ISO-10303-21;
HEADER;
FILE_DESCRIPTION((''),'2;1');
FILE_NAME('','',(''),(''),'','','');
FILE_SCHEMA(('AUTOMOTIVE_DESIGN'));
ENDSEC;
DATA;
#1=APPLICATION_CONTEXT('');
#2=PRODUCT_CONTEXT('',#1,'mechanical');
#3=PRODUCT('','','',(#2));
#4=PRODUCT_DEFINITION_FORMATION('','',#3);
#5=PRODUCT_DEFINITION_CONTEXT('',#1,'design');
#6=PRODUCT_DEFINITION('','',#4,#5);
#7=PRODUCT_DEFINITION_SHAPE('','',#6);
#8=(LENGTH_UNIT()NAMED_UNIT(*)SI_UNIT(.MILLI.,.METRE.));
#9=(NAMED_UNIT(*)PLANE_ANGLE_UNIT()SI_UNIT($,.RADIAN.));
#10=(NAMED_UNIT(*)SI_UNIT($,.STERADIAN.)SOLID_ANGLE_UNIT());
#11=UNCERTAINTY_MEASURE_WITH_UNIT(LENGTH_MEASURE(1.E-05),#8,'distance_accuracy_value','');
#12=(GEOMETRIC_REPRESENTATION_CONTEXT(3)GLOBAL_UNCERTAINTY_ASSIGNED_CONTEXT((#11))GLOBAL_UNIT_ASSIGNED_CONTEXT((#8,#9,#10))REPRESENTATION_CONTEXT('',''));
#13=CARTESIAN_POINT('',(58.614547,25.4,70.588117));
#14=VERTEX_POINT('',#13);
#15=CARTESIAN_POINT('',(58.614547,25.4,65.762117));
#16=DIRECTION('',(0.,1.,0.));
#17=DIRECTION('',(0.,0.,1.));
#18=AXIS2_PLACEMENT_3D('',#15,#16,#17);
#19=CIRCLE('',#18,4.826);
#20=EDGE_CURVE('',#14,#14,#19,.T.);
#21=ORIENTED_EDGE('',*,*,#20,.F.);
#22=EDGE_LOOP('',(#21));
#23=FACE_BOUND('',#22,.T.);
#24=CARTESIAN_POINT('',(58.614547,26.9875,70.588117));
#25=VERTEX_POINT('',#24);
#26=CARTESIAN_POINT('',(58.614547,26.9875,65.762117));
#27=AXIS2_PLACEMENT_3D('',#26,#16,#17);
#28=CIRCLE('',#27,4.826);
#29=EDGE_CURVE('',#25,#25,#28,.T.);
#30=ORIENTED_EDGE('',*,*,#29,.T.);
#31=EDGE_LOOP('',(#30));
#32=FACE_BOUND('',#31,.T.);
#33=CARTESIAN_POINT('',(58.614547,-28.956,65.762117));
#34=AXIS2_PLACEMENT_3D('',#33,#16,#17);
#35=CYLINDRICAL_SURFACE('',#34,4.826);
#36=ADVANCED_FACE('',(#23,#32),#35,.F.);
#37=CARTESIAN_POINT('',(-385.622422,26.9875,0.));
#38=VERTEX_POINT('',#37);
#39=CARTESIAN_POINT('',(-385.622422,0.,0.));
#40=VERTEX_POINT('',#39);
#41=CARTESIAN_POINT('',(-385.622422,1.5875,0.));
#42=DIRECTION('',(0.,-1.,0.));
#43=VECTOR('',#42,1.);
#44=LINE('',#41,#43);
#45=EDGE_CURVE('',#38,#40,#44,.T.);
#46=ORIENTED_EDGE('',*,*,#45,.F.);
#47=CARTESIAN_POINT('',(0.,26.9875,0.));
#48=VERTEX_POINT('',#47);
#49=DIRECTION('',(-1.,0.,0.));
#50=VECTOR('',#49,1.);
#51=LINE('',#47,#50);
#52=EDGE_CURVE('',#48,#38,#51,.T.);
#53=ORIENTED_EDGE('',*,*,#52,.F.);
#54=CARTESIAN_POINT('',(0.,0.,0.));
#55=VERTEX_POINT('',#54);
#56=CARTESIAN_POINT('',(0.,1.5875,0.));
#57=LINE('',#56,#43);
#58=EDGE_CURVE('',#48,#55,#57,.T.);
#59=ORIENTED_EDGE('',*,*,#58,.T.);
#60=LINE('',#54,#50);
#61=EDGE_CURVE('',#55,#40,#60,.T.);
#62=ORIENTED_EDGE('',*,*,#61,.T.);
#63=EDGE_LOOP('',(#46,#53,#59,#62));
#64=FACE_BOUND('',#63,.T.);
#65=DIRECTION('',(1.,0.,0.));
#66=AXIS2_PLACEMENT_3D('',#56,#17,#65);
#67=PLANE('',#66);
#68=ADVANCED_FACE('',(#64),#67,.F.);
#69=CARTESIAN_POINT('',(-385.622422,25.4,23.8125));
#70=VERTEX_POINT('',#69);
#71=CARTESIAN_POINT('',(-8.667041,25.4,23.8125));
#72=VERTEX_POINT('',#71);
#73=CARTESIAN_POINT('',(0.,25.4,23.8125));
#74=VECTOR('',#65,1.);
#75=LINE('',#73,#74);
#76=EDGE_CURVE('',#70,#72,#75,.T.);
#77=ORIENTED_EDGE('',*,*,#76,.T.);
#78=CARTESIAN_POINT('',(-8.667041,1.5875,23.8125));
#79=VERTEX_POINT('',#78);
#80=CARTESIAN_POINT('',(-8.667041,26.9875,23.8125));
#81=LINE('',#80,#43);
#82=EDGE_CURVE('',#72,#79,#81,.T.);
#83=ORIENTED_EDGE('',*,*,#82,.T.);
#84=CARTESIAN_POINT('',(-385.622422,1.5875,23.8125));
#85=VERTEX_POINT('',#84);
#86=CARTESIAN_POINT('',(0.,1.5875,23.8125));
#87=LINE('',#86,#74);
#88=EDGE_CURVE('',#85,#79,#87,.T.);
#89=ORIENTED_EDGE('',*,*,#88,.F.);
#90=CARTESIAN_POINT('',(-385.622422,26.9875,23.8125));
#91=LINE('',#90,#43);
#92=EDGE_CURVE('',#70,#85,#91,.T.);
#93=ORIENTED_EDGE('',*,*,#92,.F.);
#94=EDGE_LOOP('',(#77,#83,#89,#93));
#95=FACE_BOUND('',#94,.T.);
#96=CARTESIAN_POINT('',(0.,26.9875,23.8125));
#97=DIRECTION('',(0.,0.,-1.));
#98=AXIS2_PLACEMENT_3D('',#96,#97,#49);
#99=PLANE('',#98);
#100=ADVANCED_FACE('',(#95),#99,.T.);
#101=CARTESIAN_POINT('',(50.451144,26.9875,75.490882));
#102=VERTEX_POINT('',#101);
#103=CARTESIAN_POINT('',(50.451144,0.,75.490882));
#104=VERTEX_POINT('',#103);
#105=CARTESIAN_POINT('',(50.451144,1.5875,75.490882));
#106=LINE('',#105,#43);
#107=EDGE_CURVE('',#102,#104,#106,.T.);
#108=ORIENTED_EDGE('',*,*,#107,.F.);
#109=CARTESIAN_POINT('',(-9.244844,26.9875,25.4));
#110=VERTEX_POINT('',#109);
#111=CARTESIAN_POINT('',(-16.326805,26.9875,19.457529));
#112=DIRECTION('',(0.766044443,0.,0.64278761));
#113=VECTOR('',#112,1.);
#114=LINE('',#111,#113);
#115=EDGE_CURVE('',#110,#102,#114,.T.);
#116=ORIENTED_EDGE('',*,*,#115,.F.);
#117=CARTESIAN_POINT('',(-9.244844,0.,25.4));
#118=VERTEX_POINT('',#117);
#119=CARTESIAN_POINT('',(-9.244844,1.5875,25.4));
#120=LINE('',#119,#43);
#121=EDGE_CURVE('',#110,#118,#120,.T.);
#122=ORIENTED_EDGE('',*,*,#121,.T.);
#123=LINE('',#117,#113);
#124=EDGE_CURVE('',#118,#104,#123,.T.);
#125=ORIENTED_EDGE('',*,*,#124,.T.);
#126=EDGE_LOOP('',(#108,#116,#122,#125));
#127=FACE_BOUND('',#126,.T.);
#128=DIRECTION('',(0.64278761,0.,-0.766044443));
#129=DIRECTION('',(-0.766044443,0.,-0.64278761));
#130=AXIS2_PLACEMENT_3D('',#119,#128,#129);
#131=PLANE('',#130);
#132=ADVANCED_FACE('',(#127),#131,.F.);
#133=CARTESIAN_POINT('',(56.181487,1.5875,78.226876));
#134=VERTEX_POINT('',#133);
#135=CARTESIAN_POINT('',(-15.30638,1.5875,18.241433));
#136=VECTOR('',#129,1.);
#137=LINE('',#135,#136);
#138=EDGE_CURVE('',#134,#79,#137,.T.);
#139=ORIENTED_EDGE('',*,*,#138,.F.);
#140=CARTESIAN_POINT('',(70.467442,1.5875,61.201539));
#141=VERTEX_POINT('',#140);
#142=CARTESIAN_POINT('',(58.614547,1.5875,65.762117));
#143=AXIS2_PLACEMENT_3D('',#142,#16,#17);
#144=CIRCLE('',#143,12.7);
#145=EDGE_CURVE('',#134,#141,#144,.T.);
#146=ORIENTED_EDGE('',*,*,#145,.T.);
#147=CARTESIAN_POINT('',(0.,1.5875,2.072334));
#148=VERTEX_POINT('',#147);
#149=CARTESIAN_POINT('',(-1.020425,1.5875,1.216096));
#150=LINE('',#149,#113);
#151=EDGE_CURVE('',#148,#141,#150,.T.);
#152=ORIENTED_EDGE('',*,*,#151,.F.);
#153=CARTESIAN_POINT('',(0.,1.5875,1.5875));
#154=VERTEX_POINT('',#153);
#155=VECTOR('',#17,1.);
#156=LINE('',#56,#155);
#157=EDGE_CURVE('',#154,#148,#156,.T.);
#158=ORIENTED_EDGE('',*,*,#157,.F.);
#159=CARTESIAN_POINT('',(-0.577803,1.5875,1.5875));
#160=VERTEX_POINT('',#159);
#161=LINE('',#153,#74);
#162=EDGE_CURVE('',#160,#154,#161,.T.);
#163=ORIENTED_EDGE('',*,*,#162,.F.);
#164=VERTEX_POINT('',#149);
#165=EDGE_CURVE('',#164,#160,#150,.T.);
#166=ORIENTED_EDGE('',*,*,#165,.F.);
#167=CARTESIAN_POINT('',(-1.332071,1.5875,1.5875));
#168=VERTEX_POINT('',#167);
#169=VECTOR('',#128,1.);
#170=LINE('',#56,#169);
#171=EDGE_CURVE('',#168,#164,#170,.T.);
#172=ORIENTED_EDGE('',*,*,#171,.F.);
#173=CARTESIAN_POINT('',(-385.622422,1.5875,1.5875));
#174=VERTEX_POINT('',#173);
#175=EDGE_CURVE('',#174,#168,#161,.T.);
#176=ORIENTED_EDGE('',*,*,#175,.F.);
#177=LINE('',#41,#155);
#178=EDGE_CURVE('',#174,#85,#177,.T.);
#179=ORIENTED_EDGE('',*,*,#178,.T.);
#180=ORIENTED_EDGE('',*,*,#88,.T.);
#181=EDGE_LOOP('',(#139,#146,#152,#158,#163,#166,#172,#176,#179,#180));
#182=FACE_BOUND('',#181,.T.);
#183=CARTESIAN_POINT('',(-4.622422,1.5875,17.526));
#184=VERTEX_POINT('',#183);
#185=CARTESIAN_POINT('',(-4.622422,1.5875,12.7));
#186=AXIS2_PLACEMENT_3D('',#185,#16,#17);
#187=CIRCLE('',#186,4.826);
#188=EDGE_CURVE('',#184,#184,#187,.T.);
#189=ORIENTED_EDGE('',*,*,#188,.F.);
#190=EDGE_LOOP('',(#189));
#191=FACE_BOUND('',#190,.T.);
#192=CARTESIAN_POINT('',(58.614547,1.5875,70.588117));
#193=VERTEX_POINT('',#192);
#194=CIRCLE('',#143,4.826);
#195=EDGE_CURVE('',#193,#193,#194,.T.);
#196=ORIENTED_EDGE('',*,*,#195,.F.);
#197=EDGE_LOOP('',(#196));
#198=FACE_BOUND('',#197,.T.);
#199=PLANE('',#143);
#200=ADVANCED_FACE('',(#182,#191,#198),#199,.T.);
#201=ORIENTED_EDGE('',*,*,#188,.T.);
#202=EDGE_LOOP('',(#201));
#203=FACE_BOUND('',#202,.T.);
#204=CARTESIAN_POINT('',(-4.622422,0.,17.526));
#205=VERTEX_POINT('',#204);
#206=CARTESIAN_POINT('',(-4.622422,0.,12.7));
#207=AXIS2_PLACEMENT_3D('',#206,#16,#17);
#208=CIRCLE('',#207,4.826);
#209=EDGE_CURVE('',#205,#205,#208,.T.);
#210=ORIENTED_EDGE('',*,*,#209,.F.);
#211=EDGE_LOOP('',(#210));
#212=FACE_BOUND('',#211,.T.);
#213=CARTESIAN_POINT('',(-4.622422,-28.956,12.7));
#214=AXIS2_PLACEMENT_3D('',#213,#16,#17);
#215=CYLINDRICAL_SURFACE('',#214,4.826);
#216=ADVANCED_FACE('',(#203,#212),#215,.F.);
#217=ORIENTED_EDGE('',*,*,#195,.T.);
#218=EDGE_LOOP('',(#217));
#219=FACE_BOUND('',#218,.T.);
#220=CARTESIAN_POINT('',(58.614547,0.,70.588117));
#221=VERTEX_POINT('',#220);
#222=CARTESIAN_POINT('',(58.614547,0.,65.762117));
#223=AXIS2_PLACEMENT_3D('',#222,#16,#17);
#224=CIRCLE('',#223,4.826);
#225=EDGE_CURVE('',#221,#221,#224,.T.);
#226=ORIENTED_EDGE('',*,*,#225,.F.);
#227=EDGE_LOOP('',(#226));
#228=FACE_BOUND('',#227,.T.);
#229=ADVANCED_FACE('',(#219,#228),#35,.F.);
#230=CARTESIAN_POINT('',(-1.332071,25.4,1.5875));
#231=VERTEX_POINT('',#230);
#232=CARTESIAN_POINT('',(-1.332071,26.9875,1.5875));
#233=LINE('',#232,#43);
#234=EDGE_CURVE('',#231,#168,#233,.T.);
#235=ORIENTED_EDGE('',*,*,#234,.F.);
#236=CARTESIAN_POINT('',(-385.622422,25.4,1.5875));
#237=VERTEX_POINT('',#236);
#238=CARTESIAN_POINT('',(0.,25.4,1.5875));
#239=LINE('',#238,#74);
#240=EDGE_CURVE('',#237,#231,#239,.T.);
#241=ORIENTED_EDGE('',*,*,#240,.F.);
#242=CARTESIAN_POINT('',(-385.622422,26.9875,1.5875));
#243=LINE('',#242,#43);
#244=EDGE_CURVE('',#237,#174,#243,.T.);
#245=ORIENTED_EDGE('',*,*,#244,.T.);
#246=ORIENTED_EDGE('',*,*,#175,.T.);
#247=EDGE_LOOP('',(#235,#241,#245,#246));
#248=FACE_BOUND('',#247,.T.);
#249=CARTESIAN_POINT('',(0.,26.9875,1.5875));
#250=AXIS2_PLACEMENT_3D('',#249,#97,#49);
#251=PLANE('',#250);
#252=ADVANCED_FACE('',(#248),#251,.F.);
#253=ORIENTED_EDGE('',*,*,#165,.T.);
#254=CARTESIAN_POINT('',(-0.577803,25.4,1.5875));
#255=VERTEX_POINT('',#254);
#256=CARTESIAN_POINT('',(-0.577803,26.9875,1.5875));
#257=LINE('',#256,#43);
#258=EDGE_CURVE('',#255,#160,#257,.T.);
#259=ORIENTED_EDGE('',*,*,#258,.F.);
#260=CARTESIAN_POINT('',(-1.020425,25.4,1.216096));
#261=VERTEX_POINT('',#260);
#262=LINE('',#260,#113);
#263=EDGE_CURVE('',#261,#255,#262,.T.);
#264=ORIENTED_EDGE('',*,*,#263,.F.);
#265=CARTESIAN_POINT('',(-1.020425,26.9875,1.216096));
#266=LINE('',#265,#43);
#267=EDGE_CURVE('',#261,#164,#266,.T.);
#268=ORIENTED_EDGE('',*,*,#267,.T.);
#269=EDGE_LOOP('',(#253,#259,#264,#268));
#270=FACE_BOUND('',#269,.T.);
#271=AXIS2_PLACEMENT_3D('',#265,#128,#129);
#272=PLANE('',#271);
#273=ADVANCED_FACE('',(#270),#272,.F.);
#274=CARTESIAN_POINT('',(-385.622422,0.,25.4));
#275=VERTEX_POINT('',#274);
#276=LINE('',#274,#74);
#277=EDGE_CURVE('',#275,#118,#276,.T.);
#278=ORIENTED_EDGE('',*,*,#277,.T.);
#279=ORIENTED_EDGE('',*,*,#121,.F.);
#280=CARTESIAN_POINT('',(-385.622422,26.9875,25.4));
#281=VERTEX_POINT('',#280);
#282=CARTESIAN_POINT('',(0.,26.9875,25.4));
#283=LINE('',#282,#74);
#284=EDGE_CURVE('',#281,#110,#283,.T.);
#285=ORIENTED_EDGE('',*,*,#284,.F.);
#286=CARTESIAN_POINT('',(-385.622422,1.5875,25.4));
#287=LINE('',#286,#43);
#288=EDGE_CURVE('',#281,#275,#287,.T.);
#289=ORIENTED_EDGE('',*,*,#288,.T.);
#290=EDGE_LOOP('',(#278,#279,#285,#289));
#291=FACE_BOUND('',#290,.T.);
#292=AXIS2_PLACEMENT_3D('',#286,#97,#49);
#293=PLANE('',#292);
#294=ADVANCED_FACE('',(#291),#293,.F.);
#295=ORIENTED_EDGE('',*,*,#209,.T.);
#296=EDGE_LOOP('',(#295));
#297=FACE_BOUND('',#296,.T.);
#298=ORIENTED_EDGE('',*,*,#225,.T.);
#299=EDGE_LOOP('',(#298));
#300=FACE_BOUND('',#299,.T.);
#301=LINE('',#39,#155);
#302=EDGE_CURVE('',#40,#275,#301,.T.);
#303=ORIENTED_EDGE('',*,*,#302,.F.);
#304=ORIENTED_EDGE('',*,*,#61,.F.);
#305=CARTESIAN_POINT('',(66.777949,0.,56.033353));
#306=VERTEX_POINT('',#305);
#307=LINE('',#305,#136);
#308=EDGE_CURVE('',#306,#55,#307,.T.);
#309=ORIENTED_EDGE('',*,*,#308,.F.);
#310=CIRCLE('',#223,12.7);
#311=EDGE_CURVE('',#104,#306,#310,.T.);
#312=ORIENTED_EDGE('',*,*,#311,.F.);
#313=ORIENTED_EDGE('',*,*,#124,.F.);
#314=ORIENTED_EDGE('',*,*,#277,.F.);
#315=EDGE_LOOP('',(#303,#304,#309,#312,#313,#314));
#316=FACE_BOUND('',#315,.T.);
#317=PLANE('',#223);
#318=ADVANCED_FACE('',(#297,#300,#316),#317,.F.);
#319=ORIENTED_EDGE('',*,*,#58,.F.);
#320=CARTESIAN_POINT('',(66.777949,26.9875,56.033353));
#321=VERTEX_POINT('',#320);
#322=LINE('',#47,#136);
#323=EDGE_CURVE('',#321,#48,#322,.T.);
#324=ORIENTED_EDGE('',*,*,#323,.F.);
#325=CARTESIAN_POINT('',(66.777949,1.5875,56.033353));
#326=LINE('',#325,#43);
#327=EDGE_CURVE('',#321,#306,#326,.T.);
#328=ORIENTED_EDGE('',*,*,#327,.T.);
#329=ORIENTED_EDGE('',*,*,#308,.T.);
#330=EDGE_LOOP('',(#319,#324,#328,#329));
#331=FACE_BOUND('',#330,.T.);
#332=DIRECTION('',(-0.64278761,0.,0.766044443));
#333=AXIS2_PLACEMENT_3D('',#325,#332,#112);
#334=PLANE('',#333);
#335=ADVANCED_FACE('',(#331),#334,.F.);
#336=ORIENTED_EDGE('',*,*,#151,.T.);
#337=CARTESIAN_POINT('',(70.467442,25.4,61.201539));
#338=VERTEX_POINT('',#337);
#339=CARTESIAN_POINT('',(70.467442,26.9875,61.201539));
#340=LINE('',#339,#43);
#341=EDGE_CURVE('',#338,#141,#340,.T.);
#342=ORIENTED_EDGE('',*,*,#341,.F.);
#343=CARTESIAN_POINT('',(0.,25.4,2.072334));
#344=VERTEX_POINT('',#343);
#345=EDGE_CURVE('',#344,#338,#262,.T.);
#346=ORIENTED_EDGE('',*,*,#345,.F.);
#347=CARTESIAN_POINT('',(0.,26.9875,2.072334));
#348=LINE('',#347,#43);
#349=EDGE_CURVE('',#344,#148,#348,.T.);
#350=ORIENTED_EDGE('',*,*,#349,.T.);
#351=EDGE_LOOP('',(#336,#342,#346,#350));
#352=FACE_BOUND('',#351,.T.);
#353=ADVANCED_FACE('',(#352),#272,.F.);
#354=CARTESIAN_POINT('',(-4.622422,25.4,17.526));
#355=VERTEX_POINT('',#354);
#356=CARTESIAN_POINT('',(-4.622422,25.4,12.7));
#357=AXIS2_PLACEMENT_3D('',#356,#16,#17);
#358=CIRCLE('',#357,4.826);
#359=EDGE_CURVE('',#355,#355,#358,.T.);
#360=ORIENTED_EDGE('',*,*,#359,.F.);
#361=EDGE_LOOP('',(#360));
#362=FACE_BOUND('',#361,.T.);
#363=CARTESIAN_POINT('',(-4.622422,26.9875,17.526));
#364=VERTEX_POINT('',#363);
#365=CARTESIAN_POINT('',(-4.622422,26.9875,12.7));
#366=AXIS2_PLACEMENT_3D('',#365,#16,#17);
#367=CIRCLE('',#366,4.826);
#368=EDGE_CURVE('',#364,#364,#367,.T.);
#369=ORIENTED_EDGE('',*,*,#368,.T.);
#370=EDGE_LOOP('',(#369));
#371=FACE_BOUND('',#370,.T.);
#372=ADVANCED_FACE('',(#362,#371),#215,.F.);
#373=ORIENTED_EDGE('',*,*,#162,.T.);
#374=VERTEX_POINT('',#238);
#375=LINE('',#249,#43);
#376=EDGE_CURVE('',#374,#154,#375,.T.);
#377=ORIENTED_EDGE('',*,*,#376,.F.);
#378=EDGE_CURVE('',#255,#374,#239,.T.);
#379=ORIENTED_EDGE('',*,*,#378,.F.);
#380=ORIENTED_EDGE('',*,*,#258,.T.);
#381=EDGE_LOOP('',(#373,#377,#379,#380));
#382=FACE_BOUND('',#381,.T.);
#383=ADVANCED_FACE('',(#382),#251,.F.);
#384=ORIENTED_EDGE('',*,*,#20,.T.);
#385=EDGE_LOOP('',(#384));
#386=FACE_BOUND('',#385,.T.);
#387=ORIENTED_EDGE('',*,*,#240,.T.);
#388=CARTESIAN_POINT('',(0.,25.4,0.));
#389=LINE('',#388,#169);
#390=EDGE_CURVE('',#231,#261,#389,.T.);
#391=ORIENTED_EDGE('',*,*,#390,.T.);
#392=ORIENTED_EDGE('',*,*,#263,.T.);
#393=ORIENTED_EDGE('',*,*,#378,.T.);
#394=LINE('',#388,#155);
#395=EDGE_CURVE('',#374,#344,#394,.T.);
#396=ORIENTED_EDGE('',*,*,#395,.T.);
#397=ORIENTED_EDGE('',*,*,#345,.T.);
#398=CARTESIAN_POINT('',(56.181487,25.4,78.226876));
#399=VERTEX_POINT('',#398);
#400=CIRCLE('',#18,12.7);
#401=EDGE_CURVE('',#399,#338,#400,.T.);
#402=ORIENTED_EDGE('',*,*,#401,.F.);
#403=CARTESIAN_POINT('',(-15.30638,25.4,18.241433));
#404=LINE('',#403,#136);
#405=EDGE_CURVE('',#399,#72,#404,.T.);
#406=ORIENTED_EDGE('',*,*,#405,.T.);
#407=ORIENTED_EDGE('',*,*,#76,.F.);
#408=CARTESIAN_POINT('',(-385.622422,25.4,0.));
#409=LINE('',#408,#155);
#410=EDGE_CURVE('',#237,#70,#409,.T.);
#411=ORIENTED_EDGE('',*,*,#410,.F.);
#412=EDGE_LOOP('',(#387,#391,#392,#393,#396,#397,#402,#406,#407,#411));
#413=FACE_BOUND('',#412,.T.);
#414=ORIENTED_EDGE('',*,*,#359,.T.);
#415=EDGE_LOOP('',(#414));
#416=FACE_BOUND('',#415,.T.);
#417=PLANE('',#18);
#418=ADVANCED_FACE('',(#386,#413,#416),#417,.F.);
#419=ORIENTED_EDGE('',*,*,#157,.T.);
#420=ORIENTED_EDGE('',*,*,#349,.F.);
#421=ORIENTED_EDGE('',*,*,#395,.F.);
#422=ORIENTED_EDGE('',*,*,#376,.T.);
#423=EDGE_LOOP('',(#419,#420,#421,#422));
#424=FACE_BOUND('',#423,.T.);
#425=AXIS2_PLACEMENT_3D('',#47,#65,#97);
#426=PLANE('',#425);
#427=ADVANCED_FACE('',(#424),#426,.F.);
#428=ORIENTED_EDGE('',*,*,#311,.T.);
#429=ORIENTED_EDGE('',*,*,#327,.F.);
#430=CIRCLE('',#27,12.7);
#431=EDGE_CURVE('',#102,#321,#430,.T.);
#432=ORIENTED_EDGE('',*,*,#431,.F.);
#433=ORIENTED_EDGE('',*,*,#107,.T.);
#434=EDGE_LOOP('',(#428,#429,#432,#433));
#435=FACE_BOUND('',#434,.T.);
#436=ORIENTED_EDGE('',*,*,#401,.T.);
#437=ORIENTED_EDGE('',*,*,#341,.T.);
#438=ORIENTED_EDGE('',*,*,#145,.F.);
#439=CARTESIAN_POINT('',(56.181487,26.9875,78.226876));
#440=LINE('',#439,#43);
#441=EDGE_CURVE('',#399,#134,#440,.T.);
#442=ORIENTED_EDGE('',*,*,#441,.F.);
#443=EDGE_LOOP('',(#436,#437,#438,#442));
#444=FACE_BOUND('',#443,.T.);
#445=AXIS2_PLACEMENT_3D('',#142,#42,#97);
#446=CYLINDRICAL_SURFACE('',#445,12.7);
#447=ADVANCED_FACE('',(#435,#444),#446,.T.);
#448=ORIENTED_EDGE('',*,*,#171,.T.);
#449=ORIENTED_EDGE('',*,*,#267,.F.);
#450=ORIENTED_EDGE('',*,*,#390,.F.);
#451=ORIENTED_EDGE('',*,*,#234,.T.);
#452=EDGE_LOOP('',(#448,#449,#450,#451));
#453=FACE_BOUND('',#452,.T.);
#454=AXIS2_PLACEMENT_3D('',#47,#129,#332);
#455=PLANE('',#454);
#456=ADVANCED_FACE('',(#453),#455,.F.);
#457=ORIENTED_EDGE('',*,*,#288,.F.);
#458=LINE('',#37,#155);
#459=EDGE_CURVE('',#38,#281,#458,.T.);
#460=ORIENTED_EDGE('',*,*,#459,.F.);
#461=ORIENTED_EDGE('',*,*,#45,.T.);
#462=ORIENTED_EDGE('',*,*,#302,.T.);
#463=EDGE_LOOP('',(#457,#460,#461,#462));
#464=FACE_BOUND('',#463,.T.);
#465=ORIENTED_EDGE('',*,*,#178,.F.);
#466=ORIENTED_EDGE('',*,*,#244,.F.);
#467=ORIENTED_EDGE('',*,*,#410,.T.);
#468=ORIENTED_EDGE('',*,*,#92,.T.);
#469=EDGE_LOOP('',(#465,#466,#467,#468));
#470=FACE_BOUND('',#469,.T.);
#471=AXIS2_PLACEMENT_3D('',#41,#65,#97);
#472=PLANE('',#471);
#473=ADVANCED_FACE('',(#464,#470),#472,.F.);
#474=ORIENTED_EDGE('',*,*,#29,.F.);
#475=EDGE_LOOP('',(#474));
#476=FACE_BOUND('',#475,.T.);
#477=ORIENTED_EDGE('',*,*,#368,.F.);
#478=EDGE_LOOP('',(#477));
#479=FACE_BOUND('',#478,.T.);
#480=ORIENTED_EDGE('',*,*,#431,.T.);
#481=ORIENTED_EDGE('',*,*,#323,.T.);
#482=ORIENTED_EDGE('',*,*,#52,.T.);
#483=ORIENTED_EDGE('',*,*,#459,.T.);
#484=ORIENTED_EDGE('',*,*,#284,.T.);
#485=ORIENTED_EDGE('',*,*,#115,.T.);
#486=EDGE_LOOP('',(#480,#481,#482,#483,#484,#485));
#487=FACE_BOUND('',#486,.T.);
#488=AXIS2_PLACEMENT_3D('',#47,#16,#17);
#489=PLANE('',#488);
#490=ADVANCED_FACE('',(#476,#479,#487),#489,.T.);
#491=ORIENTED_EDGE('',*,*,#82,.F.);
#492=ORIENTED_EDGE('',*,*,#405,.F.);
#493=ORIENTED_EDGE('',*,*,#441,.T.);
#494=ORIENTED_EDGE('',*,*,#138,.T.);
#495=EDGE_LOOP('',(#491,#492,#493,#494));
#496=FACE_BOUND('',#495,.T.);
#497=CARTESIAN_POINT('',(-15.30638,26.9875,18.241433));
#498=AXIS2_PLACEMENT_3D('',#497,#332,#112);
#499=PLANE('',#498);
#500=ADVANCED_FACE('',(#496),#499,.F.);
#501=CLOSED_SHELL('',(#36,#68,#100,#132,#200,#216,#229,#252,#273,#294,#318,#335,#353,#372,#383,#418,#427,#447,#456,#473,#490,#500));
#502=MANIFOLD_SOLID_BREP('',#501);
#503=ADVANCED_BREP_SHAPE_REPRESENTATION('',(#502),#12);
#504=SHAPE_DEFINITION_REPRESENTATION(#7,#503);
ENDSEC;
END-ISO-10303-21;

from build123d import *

# Parameters (mm, degrees)
BOSS_EXTRUDE1_DEPTH = 1.5875
BOSS_EXTRUDE2_DEPTH = 25.4
BOSS_EXTRUDE3_START = -1.5875
BOSS_EXTRUDE3_DEPTH = 1.5875
SKETCH4_R           = 4.826
CUT_EXTRUDE1_DEPTH  = 55.9435


with BuildPart() as part:
    # Sketch1 → Boss-Extrude1 (new body)
    with BuildSketch(Plane(origin=(0, 0, 0), x_dir=(1, 0, 0), z_dir=(0, 1, 0))):
        with BuildLine():
            Line((-385.622421975, -25.4), (-9.24484395, -25.4))
            Line((-9.24484395, -25.4), (50.451144161, -75.490881607))
            ThreePointArc((50.451144161, -75.490881607), (68.343311232, -73.925519823), (66.777949447, -56.033352752))
            Line((66.777949447, -56.033352752), (0, 0))
            Line((0, 0), (-385.622421975, 0))
            Line((-385.622421975, 0), (-385.622421975, -25.4))
        make_face()
    extrude(amount=BOSS_EXTRUDE1_DEPTH)

    # Sketch2 → Boss-Extrude2 (add)
    with BuildSketch(Plane(origin=(0, 1.5875, 0), x_dir=(1, 0, 0), z_dir=(0, 1, 0))):
        with BuildLine():
            Line((-385.622421975, 0), (-385.622421975, -1.5875))
            Line((-385.622421975, -1.5875), (-1.332070664, -1.5875))
            Line((-1.332070664, -1.5875), (-1.02042533, -1.216095553))
            Line((-1.02042533, -1.216095553), (-0.577802747, -1.5875))
            Line((-0.577802747, -1.5875), (0, -1.5875))
            Line((0, -1.5875), (0, -2.072334072))
            Line((0, -2.072334072), (70.467441943, -61.201538616))
            ThreePointArc((70.467441943, -61.201538616), (68.950918532, -58.383132189), (66.777949447, -56.033352752))
            Line((66.777949447, -56.033352752), (0, 0))
            Line((0, 0), (-385.622421975, 0))
        make_face()
        with BuildLine():
            Line((-8.667041203, -23.8125), (-385.622421975, -23.8125))
            Line((-385.622421975, -23.8125), (-385.622421975, -25.4))
            Line((-385.622421975, -25.4), (-9.24484395, -25.4))
            Line((-9.24484395, -25.4), (50.451144161, -75.490881607))
            ThreePointArc((50.451144161, -75.490881607), (53.14255729, -77.222803492), (56.181487318, -78.226876364))
            Line((56.181487318, -78.226876364), (-8.667041203, -23.8125))
        make_face()
    extrude(amount=BOSS_EXTRUDE2_DEPTH)

    # Sketch3 → Boss-Extrude3 (add)
    with BuildSketch(Plane(origin=(0, 26.9875, 0), x_dir=(1, 0, 0), z_dir=(0, 1, 0)).offset(BOSS_EXTRUDE3_START)):
        with BuildLine():
            Line((-385.622421975, 0), (-385.622421975, -25.4))
            Line((-385.622421975, -25.4), (-9.24484395, -25.4))
            Line((-9.24484395, -25.4), (50.451144161, -75.490881607))
            ThreePointArc((50.451144161, -75.490881607), (68.343311232, -73.925519823), (66.777949447, -56.033352752))
            Line((66.777949447, -56.033352752), (0, 0))
            Line((0, 0), (-385.622421975, 0))
        make_face()
    extrude(amount=BOSS_EXTRUDE3_DEPTH)

    # Sketch4 → Cut-Extrude1 (cut)
    with BuildSketch(Plane(origin=(0, 26.9875, 0), x_dir=(1, 0, 0), z_dir=(0, 1, 0))):
        with Locations(Location((58.614546804, -65.76211718, 0), (0, 0, 270))):
            Circle(SKETCH4_R)
        with Locations(Location((-4.622421975, -12.7, 0), (0, 0, 270))):
            Circle(SKETCH4_R)
    extrude(amount=-CUT_EXTRUDE1_DEPTH, mode=Mode.SUBTRACT)


solid = part.part
